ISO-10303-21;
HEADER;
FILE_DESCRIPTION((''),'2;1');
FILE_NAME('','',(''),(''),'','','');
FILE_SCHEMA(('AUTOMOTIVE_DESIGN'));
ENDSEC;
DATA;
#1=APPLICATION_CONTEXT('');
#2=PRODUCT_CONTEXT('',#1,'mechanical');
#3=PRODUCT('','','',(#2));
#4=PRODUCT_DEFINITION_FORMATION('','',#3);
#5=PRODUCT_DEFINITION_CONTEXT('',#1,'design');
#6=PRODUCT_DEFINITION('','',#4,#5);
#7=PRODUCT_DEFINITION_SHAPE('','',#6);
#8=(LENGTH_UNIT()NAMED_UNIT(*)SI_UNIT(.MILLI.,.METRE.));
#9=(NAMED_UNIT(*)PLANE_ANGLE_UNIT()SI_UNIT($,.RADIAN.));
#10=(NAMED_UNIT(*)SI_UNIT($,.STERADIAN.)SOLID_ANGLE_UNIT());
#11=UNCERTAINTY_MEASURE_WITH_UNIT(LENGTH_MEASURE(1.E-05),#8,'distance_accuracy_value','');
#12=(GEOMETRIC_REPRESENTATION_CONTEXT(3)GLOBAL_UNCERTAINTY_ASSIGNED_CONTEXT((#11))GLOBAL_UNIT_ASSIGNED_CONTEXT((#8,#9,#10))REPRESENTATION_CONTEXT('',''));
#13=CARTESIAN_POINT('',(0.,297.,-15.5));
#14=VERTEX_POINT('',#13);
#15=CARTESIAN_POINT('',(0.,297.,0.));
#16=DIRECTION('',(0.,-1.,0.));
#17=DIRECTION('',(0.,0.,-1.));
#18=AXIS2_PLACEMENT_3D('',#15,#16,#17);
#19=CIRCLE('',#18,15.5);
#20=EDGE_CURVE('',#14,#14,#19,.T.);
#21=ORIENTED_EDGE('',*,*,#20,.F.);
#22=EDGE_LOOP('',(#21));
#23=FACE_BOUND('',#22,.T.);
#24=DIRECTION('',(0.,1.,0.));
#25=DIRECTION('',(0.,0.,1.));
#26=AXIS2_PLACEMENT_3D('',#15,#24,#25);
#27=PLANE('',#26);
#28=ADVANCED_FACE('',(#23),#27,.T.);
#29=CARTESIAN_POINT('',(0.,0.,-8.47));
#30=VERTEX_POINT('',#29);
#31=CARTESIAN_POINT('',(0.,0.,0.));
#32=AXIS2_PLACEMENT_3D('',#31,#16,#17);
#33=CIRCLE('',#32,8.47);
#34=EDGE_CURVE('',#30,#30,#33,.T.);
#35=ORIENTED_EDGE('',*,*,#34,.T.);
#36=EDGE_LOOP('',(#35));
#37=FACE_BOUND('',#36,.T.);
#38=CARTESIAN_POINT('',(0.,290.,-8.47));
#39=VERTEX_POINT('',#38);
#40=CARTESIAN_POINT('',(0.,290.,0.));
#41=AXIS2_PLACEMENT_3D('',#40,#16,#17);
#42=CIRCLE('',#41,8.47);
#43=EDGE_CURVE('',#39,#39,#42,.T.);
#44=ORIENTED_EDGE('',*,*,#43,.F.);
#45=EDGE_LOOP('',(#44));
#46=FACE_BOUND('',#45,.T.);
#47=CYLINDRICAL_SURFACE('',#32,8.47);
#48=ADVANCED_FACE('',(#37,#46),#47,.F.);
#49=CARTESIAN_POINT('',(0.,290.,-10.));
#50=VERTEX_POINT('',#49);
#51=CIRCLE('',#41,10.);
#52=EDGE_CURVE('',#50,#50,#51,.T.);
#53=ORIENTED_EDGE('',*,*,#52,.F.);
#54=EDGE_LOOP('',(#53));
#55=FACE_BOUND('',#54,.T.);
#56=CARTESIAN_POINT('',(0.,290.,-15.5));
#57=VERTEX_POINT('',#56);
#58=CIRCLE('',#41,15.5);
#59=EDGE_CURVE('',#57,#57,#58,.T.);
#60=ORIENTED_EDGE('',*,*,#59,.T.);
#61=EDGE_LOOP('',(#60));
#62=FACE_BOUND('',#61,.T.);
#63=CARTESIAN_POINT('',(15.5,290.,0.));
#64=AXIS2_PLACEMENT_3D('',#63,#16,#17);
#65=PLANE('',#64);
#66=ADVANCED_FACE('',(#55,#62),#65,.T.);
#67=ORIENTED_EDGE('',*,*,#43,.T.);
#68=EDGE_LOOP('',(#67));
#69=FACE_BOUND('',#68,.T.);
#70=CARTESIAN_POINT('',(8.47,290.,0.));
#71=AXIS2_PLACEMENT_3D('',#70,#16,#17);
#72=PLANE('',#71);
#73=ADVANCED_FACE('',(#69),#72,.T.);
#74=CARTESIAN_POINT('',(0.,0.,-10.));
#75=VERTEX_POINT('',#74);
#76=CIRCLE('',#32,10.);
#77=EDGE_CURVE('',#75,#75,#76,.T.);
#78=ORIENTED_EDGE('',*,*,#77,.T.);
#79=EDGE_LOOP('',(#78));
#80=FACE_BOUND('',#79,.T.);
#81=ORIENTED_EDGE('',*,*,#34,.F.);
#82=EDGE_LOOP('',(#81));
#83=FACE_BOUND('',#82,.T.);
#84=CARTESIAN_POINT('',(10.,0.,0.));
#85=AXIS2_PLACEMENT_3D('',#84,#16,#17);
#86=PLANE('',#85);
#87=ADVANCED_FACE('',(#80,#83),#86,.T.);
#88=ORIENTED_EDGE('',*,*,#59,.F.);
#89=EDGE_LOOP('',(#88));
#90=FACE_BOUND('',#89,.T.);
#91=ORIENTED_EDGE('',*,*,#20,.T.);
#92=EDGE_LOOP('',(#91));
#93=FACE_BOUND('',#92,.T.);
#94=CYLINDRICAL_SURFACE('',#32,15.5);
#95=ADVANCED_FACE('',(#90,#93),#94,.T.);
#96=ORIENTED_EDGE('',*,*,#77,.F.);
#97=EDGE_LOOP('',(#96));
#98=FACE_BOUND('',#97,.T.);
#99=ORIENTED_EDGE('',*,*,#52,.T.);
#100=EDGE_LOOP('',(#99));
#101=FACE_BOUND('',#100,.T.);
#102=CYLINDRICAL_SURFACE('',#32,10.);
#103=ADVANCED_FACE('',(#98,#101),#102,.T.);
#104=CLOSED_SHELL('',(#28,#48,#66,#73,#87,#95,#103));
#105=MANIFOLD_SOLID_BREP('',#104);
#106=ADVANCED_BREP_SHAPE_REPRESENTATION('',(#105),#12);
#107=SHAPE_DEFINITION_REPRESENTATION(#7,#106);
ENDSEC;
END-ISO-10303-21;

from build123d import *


with BuildPart() as part:
    # Sketch1 → Revolve1 (revolve)
    with BuildSketch(Plane.XY, mode=Mode.PRIVATE) as revolve1_sk:
        Polygon((10, 0), (8.47, 0), (8.47, 290), (0, 290), (0, 297), (15.5, 297), (15.5, 290), (10, 290), align=None)
    revolve(revolve1_sk.sketch.rotate(Axis((0, 0, 0), (0, 1, 0)), 90), axis=Axis((0, 0, 0), (0, 1, 0)))


solid = part.part
